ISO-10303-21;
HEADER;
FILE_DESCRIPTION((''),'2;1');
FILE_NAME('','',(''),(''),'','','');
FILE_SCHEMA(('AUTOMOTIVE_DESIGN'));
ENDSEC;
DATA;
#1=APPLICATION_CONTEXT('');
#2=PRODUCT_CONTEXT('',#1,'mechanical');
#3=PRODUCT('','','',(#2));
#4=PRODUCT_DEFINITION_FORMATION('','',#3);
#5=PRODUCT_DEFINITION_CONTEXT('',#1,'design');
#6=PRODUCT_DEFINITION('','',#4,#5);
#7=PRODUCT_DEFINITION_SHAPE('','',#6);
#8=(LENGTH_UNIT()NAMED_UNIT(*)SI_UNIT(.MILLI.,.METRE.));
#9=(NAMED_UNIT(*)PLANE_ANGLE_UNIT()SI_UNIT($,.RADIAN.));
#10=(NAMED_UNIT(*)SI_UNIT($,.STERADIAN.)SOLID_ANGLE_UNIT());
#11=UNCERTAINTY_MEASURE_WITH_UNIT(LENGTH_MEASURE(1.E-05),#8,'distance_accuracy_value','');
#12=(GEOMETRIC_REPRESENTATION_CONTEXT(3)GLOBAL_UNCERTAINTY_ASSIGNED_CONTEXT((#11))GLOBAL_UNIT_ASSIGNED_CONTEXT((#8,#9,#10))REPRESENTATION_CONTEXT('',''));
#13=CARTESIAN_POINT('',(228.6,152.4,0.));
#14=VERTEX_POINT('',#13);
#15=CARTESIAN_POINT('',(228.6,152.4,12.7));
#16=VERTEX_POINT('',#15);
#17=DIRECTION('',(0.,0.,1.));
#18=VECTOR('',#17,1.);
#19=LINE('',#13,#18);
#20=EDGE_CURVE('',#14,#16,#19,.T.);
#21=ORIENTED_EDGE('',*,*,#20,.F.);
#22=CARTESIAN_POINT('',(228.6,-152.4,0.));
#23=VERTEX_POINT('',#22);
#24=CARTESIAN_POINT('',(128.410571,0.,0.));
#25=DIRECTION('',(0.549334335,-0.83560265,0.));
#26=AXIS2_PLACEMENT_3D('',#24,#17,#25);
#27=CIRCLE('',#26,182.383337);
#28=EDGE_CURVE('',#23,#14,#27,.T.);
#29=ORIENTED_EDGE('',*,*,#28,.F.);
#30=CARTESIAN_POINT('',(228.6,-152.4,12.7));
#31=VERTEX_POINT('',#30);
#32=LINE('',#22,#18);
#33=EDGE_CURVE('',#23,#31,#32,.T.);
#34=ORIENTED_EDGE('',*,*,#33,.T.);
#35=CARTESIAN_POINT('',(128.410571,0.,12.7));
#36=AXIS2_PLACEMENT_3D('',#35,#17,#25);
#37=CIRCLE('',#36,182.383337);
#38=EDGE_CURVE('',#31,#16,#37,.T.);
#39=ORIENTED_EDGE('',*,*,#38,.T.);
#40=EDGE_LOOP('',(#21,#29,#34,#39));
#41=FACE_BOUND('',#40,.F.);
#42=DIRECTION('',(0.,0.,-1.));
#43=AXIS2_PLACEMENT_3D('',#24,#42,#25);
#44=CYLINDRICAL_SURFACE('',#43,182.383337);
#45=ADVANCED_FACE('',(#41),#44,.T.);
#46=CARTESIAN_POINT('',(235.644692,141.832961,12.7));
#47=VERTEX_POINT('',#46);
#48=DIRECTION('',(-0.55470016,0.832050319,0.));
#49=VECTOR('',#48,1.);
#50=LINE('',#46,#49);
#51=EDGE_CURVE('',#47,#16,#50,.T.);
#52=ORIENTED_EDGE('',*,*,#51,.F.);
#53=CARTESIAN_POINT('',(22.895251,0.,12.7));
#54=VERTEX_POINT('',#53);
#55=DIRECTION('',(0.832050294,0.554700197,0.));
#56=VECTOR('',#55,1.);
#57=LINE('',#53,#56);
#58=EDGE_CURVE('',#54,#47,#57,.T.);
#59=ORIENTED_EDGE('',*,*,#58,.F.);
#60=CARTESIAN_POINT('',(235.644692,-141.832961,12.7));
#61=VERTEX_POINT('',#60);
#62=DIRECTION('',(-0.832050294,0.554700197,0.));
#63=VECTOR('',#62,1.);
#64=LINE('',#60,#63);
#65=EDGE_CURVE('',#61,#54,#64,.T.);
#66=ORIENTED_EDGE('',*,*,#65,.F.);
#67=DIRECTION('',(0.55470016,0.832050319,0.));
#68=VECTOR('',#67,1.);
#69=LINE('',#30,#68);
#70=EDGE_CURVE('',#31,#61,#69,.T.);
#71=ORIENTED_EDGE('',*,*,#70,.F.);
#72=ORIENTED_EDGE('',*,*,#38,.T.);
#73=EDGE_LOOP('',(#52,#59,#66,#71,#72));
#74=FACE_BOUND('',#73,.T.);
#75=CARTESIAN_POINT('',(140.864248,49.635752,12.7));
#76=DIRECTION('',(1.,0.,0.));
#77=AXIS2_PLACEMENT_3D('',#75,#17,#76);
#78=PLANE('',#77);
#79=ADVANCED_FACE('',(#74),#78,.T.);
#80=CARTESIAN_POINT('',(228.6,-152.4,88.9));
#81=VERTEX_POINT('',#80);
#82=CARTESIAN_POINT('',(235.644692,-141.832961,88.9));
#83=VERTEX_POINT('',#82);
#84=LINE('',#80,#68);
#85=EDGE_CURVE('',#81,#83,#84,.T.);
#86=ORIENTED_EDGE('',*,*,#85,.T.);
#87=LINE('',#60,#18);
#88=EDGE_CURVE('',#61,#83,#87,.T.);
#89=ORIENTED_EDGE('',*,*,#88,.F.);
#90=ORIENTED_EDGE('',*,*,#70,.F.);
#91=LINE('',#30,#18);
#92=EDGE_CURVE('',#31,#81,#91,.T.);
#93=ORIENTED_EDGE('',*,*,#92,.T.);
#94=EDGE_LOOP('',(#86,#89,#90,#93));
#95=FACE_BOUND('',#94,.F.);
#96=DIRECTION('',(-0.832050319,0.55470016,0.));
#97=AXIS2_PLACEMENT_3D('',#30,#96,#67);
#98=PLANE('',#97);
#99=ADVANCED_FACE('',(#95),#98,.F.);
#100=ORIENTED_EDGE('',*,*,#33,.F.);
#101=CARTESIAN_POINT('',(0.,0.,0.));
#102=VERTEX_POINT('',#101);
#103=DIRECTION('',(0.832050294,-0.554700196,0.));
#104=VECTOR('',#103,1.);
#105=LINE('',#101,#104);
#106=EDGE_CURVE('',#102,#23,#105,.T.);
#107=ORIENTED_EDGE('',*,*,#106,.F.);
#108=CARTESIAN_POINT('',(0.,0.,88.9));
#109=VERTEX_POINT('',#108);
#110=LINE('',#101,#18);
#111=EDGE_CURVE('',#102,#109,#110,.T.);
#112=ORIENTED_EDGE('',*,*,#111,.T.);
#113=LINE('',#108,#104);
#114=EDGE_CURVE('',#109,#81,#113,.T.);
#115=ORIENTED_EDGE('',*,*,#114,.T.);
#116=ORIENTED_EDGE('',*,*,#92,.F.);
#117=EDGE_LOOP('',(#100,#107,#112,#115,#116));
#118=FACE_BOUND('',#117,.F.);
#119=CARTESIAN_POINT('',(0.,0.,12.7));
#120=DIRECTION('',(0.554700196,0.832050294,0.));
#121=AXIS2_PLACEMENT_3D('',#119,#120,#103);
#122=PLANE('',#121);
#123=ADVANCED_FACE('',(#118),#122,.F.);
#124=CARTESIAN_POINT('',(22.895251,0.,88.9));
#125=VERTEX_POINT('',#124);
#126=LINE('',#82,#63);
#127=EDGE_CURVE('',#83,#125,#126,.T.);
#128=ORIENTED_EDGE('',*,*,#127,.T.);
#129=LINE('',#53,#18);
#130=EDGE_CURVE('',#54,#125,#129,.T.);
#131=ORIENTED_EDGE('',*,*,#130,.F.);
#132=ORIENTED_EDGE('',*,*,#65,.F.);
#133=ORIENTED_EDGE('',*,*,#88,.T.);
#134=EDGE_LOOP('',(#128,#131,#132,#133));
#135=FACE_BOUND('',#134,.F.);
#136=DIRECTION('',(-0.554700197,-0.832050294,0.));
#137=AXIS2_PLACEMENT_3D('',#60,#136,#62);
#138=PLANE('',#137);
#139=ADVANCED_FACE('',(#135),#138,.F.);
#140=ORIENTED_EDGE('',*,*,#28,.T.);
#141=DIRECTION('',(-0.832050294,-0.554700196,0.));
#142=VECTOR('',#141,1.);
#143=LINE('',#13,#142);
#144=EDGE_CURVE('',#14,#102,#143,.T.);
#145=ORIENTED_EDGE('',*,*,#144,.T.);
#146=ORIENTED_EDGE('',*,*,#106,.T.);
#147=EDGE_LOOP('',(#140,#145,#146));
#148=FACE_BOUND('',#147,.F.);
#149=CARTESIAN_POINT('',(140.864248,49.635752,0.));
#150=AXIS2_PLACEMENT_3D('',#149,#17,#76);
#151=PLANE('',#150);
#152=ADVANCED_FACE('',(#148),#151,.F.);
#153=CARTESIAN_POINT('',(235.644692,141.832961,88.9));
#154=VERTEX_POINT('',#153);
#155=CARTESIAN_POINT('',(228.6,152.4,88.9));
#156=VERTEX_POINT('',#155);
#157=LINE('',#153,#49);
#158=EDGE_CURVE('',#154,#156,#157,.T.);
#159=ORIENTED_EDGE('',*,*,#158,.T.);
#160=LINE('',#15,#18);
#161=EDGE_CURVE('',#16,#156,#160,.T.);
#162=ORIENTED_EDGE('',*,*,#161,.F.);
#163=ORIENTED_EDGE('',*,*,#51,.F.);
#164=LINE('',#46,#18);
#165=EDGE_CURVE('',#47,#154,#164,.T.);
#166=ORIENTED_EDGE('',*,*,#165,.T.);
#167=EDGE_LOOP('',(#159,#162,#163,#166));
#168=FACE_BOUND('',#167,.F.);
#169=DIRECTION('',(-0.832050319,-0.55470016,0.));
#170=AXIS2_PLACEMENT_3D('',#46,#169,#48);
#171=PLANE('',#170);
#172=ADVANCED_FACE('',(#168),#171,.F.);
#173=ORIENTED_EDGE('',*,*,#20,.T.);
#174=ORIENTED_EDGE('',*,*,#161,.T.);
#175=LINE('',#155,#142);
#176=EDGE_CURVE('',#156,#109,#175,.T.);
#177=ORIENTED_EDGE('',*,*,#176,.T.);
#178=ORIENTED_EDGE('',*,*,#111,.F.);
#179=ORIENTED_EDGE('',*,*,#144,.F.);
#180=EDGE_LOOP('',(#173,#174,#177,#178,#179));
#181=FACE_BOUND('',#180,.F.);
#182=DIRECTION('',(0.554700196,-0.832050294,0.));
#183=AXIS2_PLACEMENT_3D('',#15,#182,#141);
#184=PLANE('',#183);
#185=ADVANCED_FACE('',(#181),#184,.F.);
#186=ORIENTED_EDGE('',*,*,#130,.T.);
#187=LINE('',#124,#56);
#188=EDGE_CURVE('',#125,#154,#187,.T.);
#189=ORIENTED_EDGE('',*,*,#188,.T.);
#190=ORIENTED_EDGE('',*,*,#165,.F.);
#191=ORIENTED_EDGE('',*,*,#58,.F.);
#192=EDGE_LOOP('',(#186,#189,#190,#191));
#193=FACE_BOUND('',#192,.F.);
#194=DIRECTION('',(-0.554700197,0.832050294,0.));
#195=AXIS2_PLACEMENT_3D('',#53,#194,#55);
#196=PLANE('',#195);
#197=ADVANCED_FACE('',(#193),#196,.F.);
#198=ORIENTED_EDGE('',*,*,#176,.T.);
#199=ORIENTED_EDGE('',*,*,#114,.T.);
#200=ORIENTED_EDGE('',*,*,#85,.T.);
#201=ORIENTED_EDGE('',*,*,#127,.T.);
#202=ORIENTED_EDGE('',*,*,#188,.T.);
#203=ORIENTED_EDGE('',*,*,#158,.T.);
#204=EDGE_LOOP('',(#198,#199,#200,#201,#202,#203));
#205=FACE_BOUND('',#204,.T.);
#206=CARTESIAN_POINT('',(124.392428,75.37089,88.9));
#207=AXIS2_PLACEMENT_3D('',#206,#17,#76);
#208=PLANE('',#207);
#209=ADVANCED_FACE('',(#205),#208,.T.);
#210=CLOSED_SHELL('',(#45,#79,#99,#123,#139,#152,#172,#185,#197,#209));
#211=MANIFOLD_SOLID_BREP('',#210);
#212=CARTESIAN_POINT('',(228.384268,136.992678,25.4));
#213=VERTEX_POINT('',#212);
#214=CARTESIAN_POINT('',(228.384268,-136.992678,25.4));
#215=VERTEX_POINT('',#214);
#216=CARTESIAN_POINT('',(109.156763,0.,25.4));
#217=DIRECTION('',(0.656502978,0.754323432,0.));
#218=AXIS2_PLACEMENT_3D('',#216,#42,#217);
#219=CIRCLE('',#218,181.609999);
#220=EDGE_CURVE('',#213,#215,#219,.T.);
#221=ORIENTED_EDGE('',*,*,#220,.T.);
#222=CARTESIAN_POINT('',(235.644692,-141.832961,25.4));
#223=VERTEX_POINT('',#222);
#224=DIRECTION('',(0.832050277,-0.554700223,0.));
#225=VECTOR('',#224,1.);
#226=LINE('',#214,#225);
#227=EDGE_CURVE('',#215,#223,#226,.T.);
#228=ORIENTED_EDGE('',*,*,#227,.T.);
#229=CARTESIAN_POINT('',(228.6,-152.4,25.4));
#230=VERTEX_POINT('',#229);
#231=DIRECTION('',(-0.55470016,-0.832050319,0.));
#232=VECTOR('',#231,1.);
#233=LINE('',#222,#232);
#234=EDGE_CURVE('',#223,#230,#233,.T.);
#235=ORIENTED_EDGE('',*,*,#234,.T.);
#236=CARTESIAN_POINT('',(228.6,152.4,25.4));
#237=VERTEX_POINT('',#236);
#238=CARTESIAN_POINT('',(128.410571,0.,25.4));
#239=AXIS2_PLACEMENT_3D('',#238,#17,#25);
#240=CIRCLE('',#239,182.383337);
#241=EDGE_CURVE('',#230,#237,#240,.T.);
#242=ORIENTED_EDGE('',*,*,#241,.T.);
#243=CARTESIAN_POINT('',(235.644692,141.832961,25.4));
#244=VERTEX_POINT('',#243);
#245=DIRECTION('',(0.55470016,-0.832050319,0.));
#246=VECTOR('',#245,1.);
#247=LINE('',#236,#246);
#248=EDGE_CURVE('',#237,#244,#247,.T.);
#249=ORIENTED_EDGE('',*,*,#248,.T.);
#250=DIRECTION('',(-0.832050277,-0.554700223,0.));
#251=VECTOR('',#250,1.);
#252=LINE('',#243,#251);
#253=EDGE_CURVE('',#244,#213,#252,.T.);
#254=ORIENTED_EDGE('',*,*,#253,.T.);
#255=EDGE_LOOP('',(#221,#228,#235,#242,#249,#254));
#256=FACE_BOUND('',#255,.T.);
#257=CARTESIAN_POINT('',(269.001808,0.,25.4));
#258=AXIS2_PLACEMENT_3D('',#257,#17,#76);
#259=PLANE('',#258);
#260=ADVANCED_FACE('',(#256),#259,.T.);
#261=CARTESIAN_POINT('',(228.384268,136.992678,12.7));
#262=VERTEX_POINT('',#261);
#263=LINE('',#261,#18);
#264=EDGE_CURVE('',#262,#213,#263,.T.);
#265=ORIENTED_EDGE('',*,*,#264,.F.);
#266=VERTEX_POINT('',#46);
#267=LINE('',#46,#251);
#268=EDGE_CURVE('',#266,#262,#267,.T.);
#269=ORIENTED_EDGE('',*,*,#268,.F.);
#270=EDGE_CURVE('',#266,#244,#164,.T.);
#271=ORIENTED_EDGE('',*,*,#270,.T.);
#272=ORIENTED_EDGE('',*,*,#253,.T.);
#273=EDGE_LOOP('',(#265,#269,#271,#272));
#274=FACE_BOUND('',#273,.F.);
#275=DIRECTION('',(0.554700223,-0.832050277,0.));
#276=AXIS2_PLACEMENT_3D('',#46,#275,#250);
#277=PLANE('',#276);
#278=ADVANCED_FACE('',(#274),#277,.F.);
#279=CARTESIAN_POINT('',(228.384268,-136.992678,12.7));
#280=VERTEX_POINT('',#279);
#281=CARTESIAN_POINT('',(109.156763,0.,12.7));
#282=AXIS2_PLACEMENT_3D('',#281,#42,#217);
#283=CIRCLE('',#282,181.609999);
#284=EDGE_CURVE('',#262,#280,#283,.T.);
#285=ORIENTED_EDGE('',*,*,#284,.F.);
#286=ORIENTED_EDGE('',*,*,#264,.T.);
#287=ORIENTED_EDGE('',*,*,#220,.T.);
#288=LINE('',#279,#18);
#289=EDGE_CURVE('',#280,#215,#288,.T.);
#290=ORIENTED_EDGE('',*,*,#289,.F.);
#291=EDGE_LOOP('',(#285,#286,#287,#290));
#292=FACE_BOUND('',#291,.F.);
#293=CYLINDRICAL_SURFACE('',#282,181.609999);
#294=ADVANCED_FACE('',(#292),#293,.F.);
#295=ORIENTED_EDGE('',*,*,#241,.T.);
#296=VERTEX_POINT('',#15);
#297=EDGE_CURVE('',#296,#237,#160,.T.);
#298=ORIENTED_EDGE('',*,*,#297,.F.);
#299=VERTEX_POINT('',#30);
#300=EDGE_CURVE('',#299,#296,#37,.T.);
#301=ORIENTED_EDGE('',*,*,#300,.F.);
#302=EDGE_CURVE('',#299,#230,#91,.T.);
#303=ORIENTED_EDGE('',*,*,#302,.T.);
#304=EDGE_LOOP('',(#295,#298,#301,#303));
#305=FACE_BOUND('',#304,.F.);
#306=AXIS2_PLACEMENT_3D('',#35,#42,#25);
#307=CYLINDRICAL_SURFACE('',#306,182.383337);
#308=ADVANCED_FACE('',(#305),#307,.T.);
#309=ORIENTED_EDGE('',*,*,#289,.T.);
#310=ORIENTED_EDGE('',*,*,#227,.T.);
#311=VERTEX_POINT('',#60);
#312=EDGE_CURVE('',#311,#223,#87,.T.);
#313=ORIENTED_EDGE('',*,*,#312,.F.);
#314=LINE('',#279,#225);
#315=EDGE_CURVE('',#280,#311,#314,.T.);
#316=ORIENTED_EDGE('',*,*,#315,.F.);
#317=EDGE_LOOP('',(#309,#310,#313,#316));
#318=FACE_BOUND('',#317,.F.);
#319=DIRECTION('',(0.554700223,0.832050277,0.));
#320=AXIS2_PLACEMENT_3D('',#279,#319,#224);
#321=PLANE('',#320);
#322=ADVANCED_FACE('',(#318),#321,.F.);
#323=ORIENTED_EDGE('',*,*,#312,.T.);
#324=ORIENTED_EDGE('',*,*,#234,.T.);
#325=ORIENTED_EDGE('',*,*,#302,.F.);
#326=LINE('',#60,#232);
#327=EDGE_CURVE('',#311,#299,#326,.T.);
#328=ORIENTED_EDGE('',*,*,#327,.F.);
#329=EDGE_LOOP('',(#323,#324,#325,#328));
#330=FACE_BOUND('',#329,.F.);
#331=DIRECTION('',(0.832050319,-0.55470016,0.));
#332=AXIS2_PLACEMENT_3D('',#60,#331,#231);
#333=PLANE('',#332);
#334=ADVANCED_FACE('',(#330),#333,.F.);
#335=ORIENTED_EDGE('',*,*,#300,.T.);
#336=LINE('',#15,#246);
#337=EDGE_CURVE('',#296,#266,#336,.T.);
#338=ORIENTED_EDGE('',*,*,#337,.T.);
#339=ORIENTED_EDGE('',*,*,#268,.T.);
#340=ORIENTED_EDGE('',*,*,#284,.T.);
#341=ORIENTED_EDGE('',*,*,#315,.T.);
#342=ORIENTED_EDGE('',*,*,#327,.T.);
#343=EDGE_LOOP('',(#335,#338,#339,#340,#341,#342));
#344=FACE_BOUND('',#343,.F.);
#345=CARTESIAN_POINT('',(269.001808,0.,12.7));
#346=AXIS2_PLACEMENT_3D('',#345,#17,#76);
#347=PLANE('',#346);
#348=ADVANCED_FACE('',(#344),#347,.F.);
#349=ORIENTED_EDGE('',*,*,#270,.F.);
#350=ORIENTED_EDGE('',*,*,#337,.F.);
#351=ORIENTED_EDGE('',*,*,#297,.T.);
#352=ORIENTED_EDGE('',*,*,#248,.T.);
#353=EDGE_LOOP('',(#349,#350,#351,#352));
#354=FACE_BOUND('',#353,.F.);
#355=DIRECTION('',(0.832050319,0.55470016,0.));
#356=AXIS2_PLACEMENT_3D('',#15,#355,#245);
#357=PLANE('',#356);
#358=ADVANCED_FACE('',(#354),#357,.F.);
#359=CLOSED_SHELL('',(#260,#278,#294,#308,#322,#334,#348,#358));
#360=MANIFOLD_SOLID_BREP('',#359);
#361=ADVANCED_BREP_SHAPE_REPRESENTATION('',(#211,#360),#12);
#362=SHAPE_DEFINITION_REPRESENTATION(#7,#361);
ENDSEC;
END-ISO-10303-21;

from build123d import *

# Parameters (mm, degrees)
F1_DEPTH = 12.7
F3_DEPTH = 76.2
F5_DEPTH = 12.7


with BuildPart() as f1:
    # F0 (on Top) → F1 (new body)
    with BuildSketch(Plane.XY):
        Polygon((228.6, 152.4), (0, 0), (228.6, 0), align=None)
        Polygon((228.6, 0), (0, 0), (228.6, -152.4), align=None)
        with BuildLine():
            Line((228.6, 152.4), (228.6, 0))
            Line((228.6, 0), (228.6, -152.4))
            ThreePointArc((228.6, -152.4), (310.793908, 0), (228.6, 152.4))
        make_face()
    extrude(amount=F1_DEPTH)

    # F2 (on face) → F3 (join)
    with BuildSketch(Plane.XY.offset(12.7)):
        Polygon((235.644692, 141.832961), (228.6, 152.4), (11.447625, 7.63175), (22.895251, 0), align=None)
        Polygon((0, 0), (228.6, -152.4), (235.644692, -141.832961), (22.895251, 0), (11.447625, 7.63175), align=None)
    extrude(amount=F3_DEPTH)


with BuildPart() as f5:
    # F4 (on face) → F5 (new body)
    with BuildSketch(Plane.XY.offset(12.7)):
        with BuildLine():
            Line((235.644692, -141.832961), (228.6, -152.4))
            ThreePointArc((228.6, -152.4), (310.793908, 0), (228.6, 152.4))
            Line((228.6, 152.4), (235.644692, 141.832961))
            Line((235.644692, 141.832961), (228.384268, 136.992678))
            ThreePointArc((228.384268, 136.992678), (290.766762, 0), (228.384268, -136.992678))
            Line((228.384268, -136.992678), (235.644692, -141.832961))
        make_face()
    extrude(amount=F5_DEPTH)


solid = Compound([f1.part, f5.part])
